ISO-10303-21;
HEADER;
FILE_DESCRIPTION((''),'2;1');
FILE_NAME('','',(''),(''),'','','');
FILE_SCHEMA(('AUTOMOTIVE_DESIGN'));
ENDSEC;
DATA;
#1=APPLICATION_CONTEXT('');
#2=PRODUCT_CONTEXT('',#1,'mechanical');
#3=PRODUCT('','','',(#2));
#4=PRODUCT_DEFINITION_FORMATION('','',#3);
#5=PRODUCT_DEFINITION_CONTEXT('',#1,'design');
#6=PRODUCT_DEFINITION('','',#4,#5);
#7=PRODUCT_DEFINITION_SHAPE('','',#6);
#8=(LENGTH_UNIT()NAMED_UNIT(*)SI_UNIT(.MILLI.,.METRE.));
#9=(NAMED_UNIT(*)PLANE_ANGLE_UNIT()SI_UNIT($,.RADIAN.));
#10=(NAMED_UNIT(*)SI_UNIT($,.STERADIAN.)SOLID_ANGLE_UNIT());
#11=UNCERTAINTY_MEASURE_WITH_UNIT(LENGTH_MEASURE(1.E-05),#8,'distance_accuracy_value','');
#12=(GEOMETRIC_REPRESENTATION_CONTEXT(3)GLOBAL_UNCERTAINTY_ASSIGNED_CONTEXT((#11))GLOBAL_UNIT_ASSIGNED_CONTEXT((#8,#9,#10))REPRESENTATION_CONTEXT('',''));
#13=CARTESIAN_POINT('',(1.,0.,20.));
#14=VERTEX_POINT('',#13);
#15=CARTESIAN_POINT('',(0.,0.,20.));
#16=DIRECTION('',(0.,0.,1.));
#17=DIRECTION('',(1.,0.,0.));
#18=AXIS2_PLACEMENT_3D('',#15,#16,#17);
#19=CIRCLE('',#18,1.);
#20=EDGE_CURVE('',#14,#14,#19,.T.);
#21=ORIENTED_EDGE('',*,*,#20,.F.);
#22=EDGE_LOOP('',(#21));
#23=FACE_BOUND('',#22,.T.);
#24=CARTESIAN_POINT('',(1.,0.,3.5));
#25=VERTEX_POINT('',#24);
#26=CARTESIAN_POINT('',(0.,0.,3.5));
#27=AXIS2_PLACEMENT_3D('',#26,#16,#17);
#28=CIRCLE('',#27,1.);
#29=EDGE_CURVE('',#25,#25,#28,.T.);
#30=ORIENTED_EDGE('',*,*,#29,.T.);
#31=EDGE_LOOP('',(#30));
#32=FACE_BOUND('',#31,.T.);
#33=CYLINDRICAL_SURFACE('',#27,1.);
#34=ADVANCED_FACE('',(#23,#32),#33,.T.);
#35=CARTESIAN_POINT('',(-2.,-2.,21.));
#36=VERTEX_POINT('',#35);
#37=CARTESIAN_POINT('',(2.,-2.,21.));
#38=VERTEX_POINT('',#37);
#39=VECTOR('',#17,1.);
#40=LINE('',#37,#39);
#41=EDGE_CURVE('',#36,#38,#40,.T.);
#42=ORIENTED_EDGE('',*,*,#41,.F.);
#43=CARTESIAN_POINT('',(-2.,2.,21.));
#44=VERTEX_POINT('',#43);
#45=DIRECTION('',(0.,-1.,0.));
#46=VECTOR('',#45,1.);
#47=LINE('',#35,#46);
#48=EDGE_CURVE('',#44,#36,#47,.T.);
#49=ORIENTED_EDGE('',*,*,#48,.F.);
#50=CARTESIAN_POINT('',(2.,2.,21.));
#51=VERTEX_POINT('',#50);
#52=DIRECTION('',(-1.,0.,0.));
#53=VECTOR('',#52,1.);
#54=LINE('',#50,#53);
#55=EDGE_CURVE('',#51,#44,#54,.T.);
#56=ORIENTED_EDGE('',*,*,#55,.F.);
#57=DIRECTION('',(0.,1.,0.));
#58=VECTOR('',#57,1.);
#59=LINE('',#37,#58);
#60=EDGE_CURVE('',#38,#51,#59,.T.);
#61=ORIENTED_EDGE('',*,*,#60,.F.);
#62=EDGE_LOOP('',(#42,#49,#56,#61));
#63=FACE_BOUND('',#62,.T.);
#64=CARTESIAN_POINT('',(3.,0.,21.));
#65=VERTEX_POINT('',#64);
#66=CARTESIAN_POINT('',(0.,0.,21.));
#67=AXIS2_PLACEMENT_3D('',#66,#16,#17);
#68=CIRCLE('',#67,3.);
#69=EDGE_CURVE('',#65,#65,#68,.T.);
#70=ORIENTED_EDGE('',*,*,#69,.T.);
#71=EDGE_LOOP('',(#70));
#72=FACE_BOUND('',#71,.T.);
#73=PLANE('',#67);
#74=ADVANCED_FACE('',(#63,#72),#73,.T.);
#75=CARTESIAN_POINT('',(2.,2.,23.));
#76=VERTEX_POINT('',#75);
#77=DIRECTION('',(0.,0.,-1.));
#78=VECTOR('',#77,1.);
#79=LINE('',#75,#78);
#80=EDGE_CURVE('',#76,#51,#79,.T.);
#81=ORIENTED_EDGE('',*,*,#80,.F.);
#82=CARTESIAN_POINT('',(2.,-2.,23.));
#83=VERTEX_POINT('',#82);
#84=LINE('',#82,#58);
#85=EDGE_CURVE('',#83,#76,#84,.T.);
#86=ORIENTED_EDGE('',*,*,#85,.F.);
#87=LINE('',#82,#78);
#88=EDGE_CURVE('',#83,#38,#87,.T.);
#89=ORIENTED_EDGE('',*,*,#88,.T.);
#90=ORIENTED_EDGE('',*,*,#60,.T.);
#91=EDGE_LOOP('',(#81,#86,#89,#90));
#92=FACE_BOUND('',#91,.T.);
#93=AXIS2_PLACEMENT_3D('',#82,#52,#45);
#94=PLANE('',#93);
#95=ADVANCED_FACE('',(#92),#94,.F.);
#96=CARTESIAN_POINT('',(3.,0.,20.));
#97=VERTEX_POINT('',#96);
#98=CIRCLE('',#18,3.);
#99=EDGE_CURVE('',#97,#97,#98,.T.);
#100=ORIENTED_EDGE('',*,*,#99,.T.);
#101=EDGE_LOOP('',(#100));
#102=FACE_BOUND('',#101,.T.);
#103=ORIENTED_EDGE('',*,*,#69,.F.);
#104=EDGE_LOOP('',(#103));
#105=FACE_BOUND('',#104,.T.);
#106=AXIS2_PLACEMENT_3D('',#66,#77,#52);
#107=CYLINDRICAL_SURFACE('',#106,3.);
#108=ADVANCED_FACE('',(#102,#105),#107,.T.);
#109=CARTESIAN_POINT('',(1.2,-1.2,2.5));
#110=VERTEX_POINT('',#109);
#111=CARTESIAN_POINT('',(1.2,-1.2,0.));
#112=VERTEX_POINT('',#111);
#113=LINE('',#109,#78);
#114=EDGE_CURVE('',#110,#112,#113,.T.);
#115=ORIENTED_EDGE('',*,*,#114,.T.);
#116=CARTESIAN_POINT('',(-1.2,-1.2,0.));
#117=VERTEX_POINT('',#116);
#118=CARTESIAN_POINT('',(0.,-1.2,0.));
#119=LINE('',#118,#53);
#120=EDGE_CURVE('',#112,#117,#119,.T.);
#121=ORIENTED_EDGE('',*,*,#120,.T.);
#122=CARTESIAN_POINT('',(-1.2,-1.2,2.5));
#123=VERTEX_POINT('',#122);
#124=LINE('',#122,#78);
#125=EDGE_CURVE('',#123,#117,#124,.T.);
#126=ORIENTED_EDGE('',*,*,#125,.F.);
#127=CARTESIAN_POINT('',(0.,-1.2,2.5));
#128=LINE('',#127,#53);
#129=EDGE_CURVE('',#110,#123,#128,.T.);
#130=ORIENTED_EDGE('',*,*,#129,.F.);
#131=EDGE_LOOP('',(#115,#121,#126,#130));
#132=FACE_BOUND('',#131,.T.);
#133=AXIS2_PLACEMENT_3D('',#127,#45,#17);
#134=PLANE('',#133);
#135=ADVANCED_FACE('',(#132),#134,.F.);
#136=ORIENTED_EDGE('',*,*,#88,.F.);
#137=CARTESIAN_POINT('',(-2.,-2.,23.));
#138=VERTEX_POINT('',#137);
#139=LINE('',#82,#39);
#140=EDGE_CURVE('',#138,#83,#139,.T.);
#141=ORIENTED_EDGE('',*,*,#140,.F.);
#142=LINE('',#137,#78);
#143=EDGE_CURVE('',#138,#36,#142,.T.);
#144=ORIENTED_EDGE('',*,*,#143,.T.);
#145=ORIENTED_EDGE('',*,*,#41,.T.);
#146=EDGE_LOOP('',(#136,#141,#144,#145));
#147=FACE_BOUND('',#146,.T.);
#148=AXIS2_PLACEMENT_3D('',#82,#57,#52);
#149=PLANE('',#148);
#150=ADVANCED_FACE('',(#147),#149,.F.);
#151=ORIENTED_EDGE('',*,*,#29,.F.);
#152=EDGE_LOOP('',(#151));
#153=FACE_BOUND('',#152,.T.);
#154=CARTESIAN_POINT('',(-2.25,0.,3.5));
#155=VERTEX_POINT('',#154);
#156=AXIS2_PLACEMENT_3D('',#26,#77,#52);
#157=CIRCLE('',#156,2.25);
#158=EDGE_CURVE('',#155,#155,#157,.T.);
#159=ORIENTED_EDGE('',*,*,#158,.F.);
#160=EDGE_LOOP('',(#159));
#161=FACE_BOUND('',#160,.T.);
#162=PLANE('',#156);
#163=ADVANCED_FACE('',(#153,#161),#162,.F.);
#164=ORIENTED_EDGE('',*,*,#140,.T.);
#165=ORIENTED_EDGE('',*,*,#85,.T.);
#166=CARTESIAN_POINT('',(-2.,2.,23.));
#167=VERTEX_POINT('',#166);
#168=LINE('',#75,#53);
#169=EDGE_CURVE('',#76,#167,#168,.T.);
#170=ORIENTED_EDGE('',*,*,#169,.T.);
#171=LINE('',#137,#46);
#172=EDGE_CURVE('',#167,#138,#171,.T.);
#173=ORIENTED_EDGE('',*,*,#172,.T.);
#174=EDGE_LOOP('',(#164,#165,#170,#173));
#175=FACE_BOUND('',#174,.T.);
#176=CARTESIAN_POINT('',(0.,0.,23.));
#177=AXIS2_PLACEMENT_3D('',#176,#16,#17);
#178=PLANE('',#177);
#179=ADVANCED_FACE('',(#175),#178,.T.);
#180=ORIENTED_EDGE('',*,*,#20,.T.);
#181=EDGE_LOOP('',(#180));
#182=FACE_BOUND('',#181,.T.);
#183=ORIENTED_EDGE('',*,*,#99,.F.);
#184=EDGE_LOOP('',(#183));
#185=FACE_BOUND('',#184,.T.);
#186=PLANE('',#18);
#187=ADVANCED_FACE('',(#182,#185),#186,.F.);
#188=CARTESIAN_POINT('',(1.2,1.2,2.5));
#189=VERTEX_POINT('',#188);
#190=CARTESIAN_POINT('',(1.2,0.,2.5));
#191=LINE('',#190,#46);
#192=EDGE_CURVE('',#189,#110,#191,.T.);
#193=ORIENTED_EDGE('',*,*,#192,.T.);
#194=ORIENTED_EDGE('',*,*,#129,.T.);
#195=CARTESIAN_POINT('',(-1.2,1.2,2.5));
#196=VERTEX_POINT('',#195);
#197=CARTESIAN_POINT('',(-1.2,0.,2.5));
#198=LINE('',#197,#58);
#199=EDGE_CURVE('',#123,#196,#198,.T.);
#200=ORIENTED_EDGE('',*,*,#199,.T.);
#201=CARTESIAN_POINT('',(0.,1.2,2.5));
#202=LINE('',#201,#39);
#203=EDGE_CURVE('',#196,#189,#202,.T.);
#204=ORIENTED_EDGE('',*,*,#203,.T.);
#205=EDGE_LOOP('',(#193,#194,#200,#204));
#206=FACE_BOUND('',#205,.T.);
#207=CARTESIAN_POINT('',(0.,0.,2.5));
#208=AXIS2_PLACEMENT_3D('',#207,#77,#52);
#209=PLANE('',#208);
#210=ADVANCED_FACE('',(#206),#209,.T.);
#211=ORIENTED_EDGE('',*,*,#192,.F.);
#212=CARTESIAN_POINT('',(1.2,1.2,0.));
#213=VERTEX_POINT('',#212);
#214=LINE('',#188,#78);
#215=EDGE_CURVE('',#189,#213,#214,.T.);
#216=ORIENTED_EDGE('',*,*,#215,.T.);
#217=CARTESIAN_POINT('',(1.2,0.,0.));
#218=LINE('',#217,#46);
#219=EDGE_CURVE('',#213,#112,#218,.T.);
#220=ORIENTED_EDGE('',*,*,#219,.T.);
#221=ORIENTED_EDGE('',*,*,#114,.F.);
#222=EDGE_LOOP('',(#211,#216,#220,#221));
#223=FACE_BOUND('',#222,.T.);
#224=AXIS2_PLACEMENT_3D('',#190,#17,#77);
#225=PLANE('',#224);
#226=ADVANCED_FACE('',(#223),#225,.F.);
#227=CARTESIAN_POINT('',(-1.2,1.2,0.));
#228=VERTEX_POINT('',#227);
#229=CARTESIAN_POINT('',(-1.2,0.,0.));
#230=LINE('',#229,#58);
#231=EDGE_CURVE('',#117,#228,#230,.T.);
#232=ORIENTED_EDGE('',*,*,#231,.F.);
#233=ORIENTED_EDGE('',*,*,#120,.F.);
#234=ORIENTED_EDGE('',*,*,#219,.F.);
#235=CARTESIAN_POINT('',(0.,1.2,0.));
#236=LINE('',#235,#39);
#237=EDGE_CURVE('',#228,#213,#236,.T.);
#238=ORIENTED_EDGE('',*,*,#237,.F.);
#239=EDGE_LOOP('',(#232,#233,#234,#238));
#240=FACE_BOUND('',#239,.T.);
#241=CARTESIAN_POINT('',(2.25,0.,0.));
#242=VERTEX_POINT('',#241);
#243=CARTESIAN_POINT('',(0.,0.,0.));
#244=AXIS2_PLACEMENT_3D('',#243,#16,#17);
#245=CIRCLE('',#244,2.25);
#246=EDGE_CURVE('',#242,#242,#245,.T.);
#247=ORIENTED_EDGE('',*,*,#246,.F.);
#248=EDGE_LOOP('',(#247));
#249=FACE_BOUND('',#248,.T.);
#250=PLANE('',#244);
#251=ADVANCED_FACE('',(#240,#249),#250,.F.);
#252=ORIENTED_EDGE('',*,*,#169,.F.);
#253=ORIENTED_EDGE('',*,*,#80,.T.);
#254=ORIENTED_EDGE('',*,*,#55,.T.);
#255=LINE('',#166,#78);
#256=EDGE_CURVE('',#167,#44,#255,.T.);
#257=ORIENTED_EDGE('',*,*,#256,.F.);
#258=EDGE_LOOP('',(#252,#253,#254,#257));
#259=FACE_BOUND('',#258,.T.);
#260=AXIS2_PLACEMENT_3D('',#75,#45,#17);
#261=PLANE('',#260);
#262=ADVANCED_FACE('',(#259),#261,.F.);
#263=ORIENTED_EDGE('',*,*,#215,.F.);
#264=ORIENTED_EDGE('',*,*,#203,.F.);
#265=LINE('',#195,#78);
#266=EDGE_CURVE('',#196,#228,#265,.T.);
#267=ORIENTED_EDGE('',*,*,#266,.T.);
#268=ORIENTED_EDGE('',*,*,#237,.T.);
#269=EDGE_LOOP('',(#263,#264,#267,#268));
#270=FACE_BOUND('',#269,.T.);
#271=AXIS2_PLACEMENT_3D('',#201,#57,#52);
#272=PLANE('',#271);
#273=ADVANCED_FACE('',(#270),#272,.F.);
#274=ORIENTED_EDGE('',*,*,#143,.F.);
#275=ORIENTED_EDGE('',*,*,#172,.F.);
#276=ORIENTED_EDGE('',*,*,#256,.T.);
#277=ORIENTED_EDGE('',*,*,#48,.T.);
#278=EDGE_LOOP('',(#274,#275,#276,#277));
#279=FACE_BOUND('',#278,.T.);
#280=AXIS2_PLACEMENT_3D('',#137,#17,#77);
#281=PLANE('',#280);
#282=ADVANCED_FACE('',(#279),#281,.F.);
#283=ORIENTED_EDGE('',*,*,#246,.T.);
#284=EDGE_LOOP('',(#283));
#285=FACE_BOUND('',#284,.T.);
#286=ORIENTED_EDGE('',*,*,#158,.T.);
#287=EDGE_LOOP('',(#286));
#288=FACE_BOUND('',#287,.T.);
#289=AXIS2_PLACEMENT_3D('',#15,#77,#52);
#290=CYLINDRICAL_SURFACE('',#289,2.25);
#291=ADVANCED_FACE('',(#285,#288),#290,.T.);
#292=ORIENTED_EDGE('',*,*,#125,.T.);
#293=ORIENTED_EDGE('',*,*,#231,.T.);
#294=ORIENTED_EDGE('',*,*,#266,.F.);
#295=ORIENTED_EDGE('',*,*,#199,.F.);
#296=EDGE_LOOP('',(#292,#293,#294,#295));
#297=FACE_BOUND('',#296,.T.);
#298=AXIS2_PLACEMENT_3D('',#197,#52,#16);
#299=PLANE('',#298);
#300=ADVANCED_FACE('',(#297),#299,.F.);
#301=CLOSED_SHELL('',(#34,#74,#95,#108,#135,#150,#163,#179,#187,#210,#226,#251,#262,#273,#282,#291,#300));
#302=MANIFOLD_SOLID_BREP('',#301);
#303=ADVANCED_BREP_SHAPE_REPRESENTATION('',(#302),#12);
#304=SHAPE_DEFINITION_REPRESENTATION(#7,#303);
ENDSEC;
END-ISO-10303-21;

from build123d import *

# Parameters (mm, degrees)
SKETCH_1_R          = 2.25
EXTRUDE_2_DEPTH     = 20
SKETCH_7_W          = 2.4
SKETCH_7_H          = 2.4
CUT_EXTRUDE_3_DEPTH = 2.5
SKETCH_9_R          = 3
EXTRUDE_4_DEPTH     = 1
SKETCH_10_W         = 4
SKETCH_10_H         = 4
EXTRUDE_5_DEPTH     = 2
CUT_EXTRUDE_START   = -20
SKETCH_12_OUTSIDE_W = 12.904
SKETCH_12_OUTSIDE_H = 12.904
SKETCH_12_OUTSIDE_R = 1
CUT_EXTRUDE_4_DEPTH = 16.5


with BuildPart() as part:
    # 草图1 → 凸台-拉伸2 (new body)
    with BuildSketch(Plane.XY):
        Circle(SKETCH_1_R)
    extrude(amount=EXTRUDE_2_DEPTH)

    # 草图7 → 切除-拉伸3 (cut)
    with BuildSketch(Plane.XY):
        Rectangle(SKETCH_7_W, SKETCH_7_H)
    extrude(amount=CUT_EXTRUDE_3_DEPTH, mode=Mode.SUBTRACT)

    # 草图9 → 凸台-拉伸4 (add)
    with BuildSketch(Plane.XY.offset(20)):
        Circle(SKETCH_9_R)
    extrude(amount=EXTRUDE_4_DEPTH)

    # 草图10 → 凸台-拉伸5 (add)
    with BuildSketch(Plane.XY.offset(21)):
        Rectangle(SKETCH_10_W, SKETCH_10_H)
    extrude(amount=EXTRUDE_5_DEPTH)

    # 草图12 outside → 切除-拉伸4 (cut)
    with BuildSketch(Plane(origin=(0, 0, 0), x_dir=(-1, 0, 0), z_dir=(0, 0, -1)).offset(CUT_EXTRUDE_START)):
        Rectangle(SKETCH_12_OUTSIDE_W, SKETCH_12_OUTSIDE_H)
        Circle(SKETCH_12_OUTSIDE_R, mode=Mode.SUBTRACT)
    extrude(amount=CUT_EXTRUDE_4_DEPTH, mode=Mode.SUBTRACT)


solid = part.part
